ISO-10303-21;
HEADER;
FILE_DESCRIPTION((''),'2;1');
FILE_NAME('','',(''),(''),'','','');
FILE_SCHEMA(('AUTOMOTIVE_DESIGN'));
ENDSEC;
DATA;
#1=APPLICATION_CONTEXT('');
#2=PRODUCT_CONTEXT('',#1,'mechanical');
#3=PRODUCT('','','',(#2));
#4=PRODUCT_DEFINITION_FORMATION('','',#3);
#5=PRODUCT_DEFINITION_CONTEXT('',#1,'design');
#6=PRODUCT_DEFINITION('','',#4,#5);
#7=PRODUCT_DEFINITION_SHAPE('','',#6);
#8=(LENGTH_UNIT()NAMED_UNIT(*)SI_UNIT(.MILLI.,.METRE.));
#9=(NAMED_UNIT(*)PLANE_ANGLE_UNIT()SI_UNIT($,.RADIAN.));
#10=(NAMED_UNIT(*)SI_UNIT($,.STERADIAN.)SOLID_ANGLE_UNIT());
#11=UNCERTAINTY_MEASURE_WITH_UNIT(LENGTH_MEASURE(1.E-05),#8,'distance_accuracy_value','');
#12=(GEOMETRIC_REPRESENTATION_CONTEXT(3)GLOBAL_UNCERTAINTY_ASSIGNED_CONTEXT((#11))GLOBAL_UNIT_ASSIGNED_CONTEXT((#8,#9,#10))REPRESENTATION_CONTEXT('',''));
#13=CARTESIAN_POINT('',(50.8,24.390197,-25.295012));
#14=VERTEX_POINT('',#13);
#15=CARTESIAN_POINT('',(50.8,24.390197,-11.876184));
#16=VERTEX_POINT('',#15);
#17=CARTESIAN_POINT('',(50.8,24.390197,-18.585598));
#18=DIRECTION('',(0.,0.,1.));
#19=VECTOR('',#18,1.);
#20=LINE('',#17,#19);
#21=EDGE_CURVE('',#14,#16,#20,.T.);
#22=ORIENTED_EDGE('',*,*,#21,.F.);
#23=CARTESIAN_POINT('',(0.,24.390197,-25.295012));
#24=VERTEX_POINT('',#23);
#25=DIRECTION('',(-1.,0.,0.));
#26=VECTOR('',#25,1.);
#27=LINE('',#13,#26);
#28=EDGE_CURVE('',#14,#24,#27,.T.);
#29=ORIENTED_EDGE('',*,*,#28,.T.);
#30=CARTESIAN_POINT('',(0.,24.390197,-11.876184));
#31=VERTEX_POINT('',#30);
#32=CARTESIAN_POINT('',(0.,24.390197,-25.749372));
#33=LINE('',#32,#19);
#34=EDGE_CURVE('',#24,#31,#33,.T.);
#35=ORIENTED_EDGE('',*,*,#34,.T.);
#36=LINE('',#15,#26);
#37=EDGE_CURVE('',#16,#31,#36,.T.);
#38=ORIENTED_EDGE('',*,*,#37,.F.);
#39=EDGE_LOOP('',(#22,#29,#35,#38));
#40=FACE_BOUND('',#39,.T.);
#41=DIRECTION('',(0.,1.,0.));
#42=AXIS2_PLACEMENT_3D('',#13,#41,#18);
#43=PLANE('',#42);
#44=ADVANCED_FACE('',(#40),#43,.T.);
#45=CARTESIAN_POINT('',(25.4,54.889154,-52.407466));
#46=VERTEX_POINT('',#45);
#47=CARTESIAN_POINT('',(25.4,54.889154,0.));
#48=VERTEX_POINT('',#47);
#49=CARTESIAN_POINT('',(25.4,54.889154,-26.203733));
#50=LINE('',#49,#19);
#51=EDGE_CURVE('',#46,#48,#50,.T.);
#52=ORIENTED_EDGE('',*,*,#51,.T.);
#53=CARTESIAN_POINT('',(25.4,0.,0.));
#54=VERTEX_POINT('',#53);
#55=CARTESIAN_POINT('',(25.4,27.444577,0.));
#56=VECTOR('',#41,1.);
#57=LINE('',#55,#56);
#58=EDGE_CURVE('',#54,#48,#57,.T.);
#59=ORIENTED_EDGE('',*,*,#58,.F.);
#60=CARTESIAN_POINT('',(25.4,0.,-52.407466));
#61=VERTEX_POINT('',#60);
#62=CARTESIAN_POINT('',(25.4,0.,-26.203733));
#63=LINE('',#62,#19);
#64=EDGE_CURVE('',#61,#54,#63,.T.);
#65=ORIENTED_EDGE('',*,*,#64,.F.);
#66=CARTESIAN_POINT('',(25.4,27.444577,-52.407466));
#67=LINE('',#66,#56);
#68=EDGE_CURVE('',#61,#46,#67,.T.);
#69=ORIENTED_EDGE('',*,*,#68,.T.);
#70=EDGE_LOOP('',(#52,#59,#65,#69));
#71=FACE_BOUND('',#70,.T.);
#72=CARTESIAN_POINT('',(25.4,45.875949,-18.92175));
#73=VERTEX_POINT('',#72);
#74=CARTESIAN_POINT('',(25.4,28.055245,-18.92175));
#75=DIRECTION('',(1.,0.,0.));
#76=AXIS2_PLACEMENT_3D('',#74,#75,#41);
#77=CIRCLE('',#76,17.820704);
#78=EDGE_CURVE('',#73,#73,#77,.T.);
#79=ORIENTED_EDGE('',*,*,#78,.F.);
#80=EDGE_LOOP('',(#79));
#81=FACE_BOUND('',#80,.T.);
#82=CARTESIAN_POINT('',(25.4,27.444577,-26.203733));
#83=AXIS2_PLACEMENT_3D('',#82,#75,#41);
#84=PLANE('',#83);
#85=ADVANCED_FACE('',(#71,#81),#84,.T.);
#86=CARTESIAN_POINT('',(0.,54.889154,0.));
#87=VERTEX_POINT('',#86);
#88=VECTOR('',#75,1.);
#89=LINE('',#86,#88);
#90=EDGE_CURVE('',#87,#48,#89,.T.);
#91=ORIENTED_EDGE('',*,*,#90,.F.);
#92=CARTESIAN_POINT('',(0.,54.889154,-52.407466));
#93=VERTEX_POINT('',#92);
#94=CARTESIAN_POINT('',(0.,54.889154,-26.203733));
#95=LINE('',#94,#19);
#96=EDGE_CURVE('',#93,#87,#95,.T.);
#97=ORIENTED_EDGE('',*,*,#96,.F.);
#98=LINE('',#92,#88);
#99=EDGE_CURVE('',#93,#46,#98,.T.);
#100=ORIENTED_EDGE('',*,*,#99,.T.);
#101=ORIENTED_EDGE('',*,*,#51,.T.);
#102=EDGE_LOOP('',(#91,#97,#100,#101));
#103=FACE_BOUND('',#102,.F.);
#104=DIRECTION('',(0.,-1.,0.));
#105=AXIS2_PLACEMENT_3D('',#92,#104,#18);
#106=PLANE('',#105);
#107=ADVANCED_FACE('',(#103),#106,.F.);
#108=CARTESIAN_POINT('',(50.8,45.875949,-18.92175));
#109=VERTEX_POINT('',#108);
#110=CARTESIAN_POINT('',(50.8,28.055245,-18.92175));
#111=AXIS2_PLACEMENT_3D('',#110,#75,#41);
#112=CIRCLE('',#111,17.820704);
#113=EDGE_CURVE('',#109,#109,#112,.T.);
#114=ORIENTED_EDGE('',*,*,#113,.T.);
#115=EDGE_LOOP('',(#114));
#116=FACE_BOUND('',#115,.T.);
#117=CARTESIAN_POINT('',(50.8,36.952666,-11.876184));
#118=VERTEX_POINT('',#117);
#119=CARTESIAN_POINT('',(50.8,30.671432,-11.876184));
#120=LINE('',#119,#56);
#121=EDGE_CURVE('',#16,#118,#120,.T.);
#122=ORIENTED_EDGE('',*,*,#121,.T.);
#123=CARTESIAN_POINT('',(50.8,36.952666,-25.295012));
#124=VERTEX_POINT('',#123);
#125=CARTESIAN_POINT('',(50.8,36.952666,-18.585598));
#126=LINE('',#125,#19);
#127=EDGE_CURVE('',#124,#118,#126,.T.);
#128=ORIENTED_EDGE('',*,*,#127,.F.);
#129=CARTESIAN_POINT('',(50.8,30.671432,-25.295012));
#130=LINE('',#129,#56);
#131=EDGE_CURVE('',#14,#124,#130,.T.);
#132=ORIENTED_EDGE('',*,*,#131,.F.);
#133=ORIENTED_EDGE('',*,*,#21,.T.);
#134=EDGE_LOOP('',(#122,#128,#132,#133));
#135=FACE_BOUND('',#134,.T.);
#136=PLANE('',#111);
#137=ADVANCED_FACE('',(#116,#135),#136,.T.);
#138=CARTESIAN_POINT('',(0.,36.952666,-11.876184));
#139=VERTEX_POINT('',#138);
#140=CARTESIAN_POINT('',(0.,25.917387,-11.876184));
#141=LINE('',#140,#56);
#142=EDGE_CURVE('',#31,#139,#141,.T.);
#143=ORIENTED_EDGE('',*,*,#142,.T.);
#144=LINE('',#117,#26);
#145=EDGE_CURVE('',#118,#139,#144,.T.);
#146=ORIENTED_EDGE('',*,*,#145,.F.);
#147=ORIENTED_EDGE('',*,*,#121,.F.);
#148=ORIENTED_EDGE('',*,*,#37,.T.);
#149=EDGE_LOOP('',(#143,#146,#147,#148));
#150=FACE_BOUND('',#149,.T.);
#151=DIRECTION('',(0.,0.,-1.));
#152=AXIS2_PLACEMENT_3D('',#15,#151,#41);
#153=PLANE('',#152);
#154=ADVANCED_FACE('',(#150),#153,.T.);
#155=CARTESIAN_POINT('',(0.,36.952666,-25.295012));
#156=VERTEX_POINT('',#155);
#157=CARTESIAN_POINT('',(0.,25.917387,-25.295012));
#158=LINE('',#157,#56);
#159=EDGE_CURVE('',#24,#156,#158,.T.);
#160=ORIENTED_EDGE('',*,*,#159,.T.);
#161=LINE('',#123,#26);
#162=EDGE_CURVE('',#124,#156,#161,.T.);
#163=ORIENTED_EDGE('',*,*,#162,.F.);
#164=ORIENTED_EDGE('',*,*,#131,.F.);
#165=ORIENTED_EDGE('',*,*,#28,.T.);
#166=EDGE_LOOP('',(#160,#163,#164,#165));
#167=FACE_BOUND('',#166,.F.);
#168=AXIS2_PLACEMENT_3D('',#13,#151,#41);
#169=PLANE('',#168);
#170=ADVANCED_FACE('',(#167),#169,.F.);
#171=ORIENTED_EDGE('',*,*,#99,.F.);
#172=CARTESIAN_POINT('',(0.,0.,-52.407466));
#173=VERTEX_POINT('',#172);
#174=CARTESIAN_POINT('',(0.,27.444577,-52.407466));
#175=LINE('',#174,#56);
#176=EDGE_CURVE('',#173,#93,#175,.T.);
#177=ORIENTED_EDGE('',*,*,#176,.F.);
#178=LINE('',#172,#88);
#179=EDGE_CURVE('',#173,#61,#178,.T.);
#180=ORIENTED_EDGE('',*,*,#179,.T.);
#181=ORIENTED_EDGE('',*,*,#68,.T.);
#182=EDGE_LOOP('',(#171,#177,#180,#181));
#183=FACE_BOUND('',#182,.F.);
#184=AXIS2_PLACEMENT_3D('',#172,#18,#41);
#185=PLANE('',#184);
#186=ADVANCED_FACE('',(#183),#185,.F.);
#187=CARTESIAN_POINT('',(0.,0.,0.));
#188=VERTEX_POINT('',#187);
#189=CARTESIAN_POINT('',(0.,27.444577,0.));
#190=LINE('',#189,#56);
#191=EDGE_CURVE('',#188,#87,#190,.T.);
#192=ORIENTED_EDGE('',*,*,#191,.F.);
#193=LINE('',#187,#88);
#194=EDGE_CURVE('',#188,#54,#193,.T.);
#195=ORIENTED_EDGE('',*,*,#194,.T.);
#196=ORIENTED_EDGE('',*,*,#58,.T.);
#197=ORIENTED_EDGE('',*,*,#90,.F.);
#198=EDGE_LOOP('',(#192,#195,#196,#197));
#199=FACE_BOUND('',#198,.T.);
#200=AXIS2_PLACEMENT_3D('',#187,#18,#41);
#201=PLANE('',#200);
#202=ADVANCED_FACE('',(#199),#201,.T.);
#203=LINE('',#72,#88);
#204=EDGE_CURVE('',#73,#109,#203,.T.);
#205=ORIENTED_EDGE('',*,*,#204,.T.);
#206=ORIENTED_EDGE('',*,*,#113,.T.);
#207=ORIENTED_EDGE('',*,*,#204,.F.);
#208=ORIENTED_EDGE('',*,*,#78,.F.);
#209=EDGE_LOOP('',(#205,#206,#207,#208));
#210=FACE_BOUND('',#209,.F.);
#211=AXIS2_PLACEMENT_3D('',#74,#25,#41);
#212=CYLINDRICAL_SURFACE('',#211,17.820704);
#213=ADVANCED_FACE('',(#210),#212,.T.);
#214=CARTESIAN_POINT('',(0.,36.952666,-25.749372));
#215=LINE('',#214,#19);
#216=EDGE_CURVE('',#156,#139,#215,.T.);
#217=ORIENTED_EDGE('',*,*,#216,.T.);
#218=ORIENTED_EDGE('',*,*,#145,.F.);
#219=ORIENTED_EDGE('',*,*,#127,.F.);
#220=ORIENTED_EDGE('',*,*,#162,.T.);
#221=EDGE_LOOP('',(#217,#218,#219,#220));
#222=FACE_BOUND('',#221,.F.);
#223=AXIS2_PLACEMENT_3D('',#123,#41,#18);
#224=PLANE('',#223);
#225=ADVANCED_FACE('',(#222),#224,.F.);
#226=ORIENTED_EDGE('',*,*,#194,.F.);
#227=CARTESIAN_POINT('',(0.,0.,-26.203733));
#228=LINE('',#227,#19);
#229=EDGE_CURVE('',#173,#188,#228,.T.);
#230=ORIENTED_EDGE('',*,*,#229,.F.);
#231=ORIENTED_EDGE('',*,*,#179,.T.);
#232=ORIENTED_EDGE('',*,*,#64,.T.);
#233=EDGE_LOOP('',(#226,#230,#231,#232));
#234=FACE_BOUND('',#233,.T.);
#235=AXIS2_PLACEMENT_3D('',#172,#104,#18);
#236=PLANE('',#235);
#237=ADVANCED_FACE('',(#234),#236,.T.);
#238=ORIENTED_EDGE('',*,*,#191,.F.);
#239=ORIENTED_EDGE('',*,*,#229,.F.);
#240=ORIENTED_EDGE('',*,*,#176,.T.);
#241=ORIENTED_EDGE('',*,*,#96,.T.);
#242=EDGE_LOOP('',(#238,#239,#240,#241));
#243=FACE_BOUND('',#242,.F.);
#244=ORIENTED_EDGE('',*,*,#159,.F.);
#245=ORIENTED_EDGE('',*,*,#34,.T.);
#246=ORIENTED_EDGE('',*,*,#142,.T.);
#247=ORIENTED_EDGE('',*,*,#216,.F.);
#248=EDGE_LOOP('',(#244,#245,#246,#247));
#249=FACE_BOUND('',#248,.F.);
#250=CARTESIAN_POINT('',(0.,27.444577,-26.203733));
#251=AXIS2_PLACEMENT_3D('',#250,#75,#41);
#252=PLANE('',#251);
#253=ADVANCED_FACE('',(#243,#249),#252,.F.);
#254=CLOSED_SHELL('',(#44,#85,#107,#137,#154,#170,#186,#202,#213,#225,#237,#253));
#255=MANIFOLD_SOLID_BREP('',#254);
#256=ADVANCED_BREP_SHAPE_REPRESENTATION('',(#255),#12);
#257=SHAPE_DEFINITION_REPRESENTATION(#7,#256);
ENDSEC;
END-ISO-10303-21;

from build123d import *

# Parameters (mm, degrees)
F0_W     = 54.889154
F0_H     = 52.407466
F1_DEPTH = 25.4
F2_R     = 17.820704
F3_DEPTH = 25.4
F4_W     = 12.562469
F4_H     = 13.418828
F5_DEPTH = 50.801


with BuildPart() as f1:
    # F0 (on Right) → F1 (new body)
    with BuildSketch(Plane.YZ):
        with Locations((27.444577, -26.203733)):
            Rectangle(F0_W, F0_H)
    extrude(amount=F1_DEPTH)

    # F2 (on face) → F3 (join)
    with BuildSketch(Plane.YZ.offset(25.4)):
        with Locations((28.055245, -18.92175)):
            Circle(F2_R)
    extrude(amount=F3_DEPTH)

    # F4 (on face) → F5 (cut, through all)
    with BuildSketch(Plane.YZ.offset(50.8)):
        with Locations((30.671432, -18.585598)):
            Rectangle(F4_W, F4_H)
    extrude(amount=-F5_DEPTH, mode=Mode.SUBTRACT)


solid = f1.part
